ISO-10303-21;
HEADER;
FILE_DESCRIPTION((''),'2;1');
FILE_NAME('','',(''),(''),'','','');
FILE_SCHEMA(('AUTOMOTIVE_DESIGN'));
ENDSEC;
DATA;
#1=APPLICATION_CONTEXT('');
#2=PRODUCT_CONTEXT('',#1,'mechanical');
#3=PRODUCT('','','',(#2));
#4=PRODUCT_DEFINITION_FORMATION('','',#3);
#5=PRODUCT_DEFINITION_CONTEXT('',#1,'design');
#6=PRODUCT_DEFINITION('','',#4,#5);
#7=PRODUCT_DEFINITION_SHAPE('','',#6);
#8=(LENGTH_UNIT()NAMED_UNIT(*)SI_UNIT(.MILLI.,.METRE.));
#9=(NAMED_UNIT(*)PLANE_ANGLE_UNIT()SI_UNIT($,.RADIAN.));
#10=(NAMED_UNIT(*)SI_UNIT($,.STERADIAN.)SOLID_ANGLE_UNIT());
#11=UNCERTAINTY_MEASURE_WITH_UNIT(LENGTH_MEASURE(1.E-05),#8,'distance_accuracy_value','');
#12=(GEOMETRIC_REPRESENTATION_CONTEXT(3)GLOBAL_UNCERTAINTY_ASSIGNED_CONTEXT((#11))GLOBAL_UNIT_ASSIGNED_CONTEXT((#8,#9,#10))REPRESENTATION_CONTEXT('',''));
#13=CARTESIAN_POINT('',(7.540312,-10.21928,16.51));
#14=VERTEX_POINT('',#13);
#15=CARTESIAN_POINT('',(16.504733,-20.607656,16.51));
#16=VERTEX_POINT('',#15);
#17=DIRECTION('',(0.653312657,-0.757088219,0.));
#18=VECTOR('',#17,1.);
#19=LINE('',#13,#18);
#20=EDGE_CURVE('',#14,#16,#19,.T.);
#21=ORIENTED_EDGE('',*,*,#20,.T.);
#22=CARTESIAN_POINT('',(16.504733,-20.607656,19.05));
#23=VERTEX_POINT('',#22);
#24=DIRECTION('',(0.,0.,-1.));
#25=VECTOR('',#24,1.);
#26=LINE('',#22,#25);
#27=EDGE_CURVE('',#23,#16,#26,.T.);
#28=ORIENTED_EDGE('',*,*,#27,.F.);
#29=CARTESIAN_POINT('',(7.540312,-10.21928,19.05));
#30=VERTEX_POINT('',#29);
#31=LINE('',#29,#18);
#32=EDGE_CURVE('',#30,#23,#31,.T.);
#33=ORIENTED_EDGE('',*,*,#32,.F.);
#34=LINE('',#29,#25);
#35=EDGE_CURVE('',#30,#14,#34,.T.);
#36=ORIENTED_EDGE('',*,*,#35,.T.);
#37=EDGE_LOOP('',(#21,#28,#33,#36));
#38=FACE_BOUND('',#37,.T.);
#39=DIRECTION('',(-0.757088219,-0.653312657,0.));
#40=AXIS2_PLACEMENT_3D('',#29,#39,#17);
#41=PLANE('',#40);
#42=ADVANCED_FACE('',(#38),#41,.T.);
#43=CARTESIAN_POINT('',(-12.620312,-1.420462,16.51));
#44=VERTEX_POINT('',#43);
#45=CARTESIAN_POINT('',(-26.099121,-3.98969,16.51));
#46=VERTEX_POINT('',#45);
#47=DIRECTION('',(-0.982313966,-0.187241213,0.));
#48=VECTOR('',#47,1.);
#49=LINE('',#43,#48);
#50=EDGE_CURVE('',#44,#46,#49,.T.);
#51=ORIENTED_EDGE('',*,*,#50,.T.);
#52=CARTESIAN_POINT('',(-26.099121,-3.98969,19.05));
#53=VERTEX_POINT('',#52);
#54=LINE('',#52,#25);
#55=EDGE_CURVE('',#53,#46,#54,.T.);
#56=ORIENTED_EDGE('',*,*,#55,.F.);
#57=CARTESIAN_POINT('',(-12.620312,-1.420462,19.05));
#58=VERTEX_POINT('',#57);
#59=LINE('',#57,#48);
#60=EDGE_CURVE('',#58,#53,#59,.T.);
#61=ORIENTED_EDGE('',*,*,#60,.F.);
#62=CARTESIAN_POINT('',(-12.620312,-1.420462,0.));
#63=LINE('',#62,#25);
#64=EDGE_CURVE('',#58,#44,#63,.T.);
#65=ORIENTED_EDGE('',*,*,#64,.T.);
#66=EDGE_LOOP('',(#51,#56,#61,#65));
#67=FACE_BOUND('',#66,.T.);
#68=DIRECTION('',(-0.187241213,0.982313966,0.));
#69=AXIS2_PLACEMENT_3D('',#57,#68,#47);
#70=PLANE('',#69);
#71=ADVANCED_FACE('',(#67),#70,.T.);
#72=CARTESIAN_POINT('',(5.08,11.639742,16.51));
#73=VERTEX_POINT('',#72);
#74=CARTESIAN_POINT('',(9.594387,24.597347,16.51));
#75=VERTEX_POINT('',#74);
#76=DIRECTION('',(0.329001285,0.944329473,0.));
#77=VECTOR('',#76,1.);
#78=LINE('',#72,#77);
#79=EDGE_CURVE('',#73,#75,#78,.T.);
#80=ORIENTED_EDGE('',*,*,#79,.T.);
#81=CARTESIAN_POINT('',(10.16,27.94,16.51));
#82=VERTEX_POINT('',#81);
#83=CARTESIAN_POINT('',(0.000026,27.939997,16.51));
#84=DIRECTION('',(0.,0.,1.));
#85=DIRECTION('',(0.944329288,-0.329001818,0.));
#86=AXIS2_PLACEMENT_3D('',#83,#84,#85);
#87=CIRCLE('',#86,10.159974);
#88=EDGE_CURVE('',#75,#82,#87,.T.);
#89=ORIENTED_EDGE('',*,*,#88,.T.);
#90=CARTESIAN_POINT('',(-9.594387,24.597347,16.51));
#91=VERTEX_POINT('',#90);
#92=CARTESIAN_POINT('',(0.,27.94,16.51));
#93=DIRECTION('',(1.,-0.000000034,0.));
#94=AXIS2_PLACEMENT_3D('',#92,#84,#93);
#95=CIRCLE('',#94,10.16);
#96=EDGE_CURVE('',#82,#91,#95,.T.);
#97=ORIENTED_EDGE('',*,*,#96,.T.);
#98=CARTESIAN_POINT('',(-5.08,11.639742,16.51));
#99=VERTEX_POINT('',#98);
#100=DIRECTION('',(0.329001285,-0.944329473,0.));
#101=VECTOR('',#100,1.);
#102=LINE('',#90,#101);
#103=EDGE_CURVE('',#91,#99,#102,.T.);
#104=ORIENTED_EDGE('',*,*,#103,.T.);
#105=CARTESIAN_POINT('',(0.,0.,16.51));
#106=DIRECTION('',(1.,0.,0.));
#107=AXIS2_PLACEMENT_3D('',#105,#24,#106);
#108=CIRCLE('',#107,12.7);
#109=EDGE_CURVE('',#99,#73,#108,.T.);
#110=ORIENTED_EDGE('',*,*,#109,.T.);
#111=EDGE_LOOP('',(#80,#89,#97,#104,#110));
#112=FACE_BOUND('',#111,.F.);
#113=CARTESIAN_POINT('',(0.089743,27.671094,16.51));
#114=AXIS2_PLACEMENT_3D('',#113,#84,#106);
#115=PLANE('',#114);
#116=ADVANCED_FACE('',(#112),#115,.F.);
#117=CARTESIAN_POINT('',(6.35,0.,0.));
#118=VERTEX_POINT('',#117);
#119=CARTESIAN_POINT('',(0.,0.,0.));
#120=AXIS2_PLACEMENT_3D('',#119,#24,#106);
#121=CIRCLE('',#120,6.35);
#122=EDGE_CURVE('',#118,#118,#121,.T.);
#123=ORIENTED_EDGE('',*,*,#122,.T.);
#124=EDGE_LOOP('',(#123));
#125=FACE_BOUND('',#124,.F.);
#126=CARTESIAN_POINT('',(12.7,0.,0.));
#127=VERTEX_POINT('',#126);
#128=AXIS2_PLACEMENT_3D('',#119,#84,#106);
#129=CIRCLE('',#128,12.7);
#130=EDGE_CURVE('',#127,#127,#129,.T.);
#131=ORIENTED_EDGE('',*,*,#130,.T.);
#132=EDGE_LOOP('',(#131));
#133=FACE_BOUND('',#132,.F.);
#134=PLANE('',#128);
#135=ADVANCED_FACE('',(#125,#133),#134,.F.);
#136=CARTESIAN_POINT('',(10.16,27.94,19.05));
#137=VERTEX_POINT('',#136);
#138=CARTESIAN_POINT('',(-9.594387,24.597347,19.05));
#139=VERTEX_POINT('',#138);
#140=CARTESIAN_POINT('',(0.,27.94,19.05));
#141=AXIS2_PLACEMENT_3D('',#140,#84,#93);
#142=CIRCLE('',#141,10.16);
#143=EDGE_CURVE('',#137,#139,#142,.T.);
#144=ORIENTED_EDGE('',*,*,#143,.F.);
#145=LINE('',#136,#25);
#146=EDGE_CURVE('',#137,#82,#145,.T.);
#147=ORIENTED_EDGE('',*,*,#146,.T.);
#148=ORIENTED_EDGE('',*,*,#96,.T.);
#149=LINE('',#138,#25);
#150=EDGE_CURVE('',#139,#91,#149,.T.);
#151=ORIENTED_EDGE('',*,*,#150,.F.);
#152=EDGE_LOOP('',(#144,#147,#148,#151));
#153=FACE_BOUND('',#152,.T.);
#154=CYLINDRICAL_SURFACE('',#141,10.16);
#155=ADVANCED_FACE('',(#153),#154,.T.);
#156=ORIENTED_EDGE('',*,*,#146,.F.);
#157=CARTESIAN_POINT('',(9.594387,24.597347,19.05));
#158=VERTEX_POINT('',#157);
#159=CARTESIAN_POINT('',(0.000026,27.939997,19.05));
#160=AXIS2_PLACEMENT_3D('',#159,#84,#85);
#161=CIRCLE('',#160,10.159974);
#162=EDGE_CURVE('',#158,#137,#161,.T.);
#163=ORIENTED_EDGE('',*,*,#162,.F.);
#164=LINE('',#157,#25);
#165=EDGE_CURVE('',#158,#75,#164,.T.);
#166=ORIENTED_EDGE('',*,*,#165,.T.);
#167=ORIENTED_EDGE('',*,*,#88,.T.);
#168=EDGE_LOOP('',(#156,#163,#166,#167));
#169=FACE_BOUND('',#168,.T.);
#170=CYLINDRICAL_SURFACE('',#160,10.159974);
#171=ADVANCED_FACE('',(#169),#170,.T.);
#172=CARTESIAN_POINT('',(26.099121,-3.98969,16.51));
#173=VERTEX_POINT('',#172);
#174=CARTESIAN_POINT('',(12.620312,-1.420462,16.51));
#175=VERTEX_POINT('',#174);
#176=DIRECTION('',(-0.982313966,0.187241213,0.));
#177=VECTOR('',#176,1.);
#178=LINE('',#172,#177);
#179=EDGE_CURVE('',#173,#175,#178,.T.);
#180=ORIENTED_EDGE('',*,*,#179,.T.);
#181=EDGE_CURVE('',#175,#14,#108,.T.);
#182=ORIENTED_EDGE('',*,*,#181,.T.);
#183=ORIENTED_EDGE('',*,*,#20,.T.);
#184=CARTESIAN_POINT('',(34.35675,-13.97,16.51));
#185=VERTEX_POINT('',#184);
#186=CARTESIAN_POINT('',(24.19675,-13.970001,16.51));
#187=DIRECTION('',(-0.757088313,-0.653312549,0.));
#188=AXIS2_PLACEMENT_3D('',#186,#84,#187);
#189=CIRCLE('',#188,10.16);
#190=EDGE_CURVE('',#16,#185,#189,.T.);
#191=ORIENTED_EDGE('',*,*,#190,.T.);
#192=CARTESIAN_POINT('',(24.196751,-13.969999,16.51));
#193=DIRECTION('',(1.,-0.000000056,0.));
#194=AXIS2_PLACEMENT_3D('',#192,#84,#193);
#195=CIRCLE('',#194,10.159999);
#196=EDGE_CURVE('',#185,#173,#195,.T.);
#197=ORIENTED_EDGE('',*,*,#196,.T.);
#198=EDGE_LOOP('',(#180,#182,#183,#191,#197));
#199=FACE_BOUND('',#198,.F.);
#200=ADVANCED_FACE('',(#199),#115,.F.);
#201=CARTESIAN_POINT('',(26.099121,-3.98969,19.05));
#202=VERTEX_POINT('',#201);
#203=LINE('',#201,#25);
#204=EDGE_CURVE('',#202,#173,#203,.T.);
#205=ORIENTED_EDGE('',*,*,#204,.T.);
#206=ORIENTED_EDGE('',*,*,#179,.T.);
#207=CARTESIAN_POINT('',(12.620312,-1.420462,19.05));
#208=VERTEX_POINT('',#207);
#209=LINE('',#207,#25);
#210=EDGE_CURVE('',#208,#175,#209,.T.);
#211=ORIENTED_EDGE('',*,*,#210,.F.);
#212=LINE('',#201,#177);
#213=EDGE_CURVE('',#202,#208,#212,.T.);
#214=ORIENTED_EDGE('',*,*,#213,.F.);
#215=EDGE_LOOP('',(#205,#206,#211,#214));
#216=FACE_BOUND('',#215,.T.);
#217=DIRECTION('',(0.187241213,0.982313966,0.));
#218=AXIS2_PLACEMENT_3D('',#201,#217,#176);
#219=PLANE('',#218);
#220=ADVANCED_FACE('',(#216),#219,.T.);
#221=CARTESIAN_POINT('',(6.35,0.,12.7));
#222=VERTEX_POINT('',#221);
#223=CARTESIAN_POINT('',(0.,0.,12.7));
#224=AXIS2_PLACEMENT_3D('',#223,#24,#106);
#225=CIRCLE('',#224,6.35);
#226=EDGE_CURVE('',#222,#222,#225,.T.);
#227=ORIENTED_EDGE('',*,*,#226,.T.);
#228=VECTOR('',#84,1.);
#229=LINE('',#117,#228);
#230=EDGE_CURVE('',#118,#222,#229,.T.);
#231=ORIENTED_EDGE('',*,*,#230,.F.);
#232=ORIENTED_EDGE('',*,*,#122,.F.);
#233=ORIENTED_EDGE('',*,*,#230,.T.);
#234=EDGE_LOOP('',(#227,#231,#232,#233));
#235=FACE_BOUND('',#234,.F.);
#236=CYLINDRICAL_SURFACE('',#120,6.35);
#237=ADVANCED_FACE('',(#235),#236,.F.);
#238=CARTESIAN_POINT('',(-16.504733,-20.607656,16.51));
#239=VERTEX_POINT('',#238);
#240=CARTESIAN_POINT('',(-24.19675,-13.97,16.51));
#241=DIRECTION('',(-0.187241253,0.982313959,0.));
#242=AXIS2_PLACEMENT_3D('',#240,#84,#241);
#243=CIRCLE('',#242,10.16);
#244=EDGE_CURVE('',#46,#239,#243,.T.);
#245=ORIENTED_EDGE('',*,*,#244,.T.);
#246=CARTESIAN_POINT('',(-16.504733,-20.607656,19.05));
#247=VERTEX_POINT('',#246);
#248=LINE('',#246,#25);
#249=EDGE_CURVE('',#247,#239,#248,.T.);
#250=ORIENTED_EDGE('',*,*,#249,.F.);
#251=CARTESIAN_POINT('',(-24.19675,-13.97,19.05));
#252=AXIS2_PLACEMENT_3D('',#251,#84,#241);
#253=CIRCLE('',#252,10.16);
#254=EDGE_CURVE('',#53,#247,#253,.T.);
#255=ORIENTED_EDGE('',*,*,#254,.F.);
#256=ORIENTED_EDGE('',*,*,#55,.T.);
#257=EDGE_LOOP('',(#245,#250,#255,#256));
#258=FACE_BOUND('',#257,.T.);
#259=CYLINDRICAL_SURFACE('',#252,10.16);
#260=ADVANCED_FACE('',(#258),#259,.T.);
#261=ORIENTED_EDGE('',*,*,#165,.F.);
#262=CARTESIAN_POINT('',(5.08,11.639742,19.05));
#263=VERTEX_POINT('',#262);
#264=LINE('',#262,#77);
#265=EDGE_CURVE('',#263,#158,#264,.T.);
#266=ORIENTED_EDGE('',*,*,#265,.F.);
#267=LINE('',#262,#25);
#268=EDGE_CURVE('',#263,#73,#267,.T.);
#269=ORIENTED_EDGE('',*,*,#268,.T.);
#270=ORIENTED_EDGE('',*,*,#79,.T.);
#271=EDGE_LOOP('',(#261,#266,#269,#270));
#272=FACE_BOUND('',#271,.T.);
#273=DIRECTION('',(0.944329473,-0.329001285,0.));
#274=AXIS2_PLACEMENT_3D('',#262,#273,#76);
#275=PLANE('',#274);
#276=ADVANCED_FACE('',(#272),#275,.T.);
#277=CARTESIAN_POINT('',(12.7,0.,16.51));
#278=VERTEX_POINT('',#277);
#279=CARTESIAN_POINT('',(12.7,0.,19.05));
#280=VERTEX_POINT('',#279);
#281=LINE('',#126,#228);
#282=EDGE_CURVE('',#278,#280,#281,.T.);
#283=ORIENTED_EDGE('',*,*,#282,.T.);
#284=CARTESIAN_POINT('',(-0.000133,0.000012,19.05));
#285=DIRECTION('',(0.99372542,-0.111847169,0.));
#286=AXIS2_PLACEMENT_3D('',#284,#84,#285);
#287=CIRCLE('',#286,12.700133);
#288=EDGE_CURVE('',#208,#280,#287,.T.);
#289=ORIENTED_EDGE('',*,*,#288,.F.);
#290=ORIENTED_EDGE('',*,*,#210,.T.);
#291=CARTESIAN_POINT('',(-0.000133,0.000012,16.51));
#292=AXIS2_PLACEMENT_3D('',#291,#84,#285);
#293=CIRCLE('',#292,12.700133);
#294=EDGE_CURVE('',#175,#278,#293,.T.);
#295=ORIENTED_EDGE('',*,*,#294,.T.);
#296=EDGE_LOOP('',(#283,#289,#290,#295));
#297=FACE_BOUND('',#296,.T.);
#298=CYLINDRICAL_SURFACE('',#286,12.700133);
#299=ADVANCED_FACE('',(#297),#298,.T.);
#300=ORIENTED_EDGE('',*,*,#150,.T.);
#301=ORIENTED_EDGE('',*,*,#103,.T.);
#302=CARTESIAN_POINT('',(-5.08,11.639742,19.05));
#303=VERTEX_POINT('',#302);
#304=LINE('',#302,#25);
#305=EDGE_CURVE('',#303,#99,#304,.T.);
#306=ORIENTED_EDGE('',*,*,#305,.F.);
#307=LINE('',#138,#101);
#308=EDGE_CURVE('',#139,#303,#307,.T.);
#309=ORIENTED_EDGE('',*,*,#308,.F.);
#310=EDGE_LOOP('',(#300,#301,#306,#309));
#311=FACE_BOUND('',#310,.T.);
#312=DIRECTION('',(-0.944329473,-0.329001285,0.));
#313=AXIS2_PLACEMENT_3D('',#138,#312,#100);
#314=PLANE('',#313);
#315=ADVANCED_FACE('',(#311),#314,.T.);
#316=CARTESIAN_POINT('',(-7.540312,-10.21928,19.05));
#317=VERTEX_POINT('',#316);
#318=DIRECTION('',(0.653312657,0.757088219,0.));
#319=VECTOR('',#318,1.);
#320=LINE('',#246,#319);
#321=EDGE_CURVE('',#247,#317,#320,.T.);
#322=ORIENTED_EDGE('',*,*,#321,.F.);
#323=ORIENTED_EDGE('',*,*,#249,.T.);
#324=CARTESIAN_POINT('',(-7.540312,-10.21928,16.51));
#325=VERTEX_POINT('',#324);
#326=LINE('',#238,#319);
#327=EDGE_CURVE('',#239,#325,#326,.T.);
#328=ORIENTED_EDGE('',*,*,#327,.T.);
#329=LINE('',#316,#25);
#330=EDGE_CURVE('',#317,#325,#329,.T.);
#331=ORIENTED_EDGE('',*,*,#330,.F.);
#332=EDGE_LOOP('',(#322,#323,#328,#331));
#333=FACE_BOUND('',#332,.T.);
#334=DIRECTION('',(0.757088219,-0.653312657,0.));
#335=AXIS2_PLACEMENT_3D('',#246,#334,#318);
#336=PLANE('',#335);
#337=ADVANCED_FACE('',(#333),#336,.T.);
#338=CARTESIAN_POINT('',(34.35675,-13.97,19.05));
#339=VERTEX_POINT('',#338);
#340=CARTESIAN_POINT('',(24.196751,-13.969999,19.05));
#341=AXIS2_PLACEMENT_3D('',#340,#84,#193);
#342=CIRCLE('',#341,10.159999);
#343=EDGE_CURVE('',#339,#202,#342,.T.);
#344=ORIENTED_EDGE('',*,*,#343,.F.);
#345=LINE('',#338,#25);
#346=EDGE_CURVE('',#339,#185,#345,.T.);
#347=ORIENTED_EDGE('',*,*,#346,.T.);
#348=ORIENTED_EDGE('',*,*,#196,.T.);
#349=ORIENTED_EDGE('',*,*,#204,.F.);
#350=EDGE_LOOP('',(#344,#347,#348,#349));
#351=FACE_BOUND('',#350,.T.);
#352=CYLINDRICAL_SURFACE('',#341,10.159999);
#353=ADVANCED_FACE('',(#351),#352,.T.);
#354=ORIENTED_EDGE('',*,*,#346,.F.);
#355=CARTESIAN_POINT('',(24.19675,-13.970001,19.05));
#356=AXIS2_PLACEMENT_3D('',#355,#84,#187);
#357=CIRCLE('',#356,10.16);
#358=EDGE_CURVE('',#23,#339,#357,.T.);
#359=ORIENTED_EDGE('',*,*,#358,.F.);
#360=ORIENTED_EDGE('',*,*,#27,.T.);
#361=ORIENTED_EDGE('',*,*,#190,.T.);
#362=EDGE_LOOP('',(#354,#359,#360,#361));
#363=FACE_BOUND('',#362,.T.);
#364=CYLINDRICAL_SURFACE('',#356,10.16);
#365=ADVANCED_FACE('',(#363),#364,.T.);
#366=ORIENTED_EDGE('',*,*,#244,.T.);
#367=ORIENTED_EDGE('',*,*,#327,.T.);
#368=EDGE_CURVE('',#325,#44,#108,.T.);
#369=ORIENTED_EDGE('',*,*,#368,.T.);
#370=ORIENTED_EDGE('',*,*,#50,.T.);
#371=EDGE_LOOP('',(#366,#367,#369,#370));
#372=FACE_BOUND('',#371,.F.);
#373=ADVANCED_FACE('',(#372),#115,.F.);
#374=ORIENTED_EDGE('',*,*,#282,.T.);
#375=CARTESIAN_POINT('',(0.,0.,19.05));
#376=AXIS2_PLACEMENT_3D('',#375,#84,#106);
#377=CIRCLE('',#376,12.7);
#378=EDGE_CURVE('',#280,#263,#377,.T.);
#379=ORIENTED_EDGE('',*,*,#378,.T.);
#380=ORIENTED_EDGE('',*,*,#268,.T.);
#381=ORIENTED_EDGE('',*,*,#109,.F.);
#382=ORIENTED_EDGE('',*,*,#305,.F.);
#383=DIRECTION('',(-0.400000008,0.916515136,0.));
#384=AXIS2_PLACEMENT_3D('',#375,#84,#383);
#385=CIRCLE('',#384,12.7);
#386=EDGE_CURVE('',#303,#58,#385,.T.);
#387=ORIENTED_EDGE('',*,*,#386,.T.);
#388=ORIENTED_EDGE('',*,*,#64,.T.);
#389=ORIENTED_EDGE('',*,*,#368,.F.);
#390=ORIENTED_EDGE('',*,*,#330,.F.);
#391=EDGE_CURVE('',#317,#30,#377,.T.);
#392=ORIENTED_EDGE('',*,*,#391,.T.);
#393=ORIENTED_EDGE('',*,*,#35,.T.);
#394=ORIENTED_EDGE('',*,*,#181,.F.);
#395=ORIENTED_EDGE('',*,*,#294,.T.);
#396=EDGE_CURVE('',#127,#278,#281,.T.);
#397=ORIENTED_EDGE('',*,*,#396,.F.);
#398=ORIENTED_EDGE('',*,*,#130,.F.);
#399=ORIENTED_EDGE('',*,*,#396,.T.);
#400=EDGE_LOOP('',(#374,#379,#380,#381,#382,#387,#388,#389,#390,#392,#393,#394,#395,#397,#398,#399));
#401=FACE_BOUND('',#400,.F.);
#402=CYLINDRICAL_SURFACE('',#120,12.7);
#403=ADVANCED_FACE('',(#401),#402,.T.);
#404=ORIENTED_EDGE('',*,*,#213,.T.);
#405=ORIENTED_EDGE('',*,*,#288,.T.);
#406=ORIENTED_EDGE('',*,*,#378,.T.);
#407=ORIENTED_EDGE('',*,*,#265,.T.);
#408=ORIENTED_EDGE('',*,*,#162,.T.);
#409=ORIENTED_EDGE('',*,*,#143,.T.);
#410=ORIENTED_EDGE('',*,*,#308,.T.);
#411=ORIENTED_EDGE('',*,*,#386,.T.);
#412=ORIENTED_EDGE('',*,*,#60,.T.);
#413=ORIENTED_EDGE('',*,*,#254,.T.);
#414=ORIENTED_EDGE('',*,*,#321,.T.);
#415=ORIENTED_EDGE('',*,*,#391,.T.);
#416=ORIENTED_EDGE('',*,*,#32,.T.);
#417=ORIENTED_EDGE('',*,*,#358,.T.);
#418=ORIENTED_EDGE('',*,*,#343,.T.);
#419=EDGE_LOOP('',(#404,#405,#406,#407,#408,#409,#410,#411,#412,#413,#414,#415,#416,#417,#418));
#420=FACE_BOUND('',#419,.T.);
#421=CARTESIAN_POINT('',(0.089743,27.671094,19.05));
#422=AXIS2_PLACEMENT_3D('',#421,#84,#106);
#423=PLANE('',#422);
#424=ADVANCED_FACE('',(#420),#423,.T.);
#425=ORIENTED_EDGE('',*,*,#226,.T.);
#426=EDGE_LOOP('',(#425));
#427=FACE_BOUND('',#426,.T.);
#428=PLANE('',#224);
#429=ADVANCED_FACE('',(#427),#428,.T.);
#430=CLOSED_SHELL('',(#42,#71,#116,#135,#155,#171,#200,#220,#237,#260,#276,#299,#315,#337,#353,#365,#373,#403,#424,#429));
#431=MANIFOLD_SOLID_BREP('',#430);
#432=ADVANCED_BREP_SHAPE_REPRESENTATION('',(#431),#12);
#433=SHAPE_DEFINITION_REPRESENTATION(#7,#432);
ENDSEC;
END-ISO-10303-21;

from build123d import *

# Parameters (mm, degrees)
F0_R     = 12.7
F1_DEPTH = 19.05
F2_R     = 6.35
F3_DEPTH = 12.7
F5_DEPTH = 2.54


with BuildPart() as f1:
    # F0 (on Top) → F1 (new body)
    with BuildSketch(Plane.XY):
        Circle(F0_R)
    extrude(amount=F1_DEPTH)

    # F2 (on face) → F3 (cut)
    with BuildSketch(Plane(origin=(0, 0, 0), x_dir=(1, 0, 0), z_dir=(0, 0, -1))):
        Circle(F2_R)
    extrude(amount=-F3_DEPTH, mode=Mode.SUBTRACT)

    # F4 (on face) → F5 (join)
    with BuildSketch(Plane.XY.offset(19.05)):
        with BuildLine():
            ThreePointArc((9.594387, 24.597347), (10.017599, 26.244915), (10.16, 27.94))
            ThreePointArc((10.16, 27.94), (-1.695085, 37.957599), (-9.594387, 24.597347))
            ThreePointArc((-9.594387, 24.597347), (0, 17.78), (9.594387, 24.597347))
        make_face()
        with BuildLine():
            ThreePointArc((9.594387, 24.597347), (0, 17.78), (-9.594387, 24.597347))
            Line((-9.594387, 24.597347), (-5.08, 11.639742))
            ThreePointArc((-5.08, 11.639742), (0, 12.7), (5.08, 11.639742))
            Line((5.08, 11.639742), (9.594387, 24.597347))
        make_face()
        with BuildLine():
            ThreePointArc((5.08, 11.639742), (0, 12.7), (-5.08, 11.639742))
            ThreePointArc((-5.08, 11.639742), (-10.998523, 6.35), (-12.620312, -1.420462))
            ThreePointArc((-12.620312, -1.420462), (-10.998523, -6.35), (-7.540312, -10.21928))
            ThreePointArc((-7.540312, -10.21928), (0, -12.7), (7.540312, -10.21928))
            ThreePointArc((7.540312, -10.21928), (10.998523, -6.35), (12.620312, -1.420462))
            ThreePointArc((12.620312, -1.420462), (12.680062, -0.711348), (12.7, 0))
            ThreePointArc((12.7, 0), (10.625582, 6.956076), (5.08, 11.639742))
        make_face()
        with BuildLine():
            ThreePointArc((-7.540312, -10.21928), (-10.998523, -6.35), (-12.620312, -1.420462))
            Line((-12.620312, -1.420462), (-26.099121, -3.98969))
            ThreePointArc((-26.099121, -3.98969), (-17.719964, -6.142047), (-14.03675, -13.97))
            ThreePointArc((-14.03675, -13.97), (-14.673712, -17.510813), (-16.504733, -20.607656))
            Line((-16.504733, -20.607656), (-7.540312, -10.21928))
        make_face()
        with BuildLine():
            ThreePointArc((-14.03675, -13.97), (-17.719964, -6.142047), (-26.099121, -3.98969))
            ThreePointArc((-26.099121, -3.98969), (-32.995568, -19.05), (-16.504733, -20.607656))
            ThreePointArc((-16.504733, -20.607656), (-14.673712, -17.510813), (-14.03675, -13.97))
        make_face()
        with BuildLine():
            Line((26.099121, -3.98969), (12.620312, -1.420462))
            ThreePointArc((12.620312, -1.420462), (10.998523, -6.35), (7.540312, -10.21928))
            Line((7.540312, -10.21928), (16.504733, -20.607656))
            ThreePointArc((16.504733, -20.607656), (15.397932, -8.89), (26.099121, -3.98969))
        make_face()
        with BuildLine():
            ThreePointArc((34.35675, -13.97), (32.024703, -7.493214), (26.099121, -3.98969))
            ThreePointArc((26.099121, -3.98969), (15.397932, -8.89), (16.504733, -20.607656))
            ThreePointArc((16.504733, -20.607656), (27.737563, -23.493038), (34.35675, -13.97))
        make_face()
    extrude(amount=-F5_DEPTH)


solid = f1.part
